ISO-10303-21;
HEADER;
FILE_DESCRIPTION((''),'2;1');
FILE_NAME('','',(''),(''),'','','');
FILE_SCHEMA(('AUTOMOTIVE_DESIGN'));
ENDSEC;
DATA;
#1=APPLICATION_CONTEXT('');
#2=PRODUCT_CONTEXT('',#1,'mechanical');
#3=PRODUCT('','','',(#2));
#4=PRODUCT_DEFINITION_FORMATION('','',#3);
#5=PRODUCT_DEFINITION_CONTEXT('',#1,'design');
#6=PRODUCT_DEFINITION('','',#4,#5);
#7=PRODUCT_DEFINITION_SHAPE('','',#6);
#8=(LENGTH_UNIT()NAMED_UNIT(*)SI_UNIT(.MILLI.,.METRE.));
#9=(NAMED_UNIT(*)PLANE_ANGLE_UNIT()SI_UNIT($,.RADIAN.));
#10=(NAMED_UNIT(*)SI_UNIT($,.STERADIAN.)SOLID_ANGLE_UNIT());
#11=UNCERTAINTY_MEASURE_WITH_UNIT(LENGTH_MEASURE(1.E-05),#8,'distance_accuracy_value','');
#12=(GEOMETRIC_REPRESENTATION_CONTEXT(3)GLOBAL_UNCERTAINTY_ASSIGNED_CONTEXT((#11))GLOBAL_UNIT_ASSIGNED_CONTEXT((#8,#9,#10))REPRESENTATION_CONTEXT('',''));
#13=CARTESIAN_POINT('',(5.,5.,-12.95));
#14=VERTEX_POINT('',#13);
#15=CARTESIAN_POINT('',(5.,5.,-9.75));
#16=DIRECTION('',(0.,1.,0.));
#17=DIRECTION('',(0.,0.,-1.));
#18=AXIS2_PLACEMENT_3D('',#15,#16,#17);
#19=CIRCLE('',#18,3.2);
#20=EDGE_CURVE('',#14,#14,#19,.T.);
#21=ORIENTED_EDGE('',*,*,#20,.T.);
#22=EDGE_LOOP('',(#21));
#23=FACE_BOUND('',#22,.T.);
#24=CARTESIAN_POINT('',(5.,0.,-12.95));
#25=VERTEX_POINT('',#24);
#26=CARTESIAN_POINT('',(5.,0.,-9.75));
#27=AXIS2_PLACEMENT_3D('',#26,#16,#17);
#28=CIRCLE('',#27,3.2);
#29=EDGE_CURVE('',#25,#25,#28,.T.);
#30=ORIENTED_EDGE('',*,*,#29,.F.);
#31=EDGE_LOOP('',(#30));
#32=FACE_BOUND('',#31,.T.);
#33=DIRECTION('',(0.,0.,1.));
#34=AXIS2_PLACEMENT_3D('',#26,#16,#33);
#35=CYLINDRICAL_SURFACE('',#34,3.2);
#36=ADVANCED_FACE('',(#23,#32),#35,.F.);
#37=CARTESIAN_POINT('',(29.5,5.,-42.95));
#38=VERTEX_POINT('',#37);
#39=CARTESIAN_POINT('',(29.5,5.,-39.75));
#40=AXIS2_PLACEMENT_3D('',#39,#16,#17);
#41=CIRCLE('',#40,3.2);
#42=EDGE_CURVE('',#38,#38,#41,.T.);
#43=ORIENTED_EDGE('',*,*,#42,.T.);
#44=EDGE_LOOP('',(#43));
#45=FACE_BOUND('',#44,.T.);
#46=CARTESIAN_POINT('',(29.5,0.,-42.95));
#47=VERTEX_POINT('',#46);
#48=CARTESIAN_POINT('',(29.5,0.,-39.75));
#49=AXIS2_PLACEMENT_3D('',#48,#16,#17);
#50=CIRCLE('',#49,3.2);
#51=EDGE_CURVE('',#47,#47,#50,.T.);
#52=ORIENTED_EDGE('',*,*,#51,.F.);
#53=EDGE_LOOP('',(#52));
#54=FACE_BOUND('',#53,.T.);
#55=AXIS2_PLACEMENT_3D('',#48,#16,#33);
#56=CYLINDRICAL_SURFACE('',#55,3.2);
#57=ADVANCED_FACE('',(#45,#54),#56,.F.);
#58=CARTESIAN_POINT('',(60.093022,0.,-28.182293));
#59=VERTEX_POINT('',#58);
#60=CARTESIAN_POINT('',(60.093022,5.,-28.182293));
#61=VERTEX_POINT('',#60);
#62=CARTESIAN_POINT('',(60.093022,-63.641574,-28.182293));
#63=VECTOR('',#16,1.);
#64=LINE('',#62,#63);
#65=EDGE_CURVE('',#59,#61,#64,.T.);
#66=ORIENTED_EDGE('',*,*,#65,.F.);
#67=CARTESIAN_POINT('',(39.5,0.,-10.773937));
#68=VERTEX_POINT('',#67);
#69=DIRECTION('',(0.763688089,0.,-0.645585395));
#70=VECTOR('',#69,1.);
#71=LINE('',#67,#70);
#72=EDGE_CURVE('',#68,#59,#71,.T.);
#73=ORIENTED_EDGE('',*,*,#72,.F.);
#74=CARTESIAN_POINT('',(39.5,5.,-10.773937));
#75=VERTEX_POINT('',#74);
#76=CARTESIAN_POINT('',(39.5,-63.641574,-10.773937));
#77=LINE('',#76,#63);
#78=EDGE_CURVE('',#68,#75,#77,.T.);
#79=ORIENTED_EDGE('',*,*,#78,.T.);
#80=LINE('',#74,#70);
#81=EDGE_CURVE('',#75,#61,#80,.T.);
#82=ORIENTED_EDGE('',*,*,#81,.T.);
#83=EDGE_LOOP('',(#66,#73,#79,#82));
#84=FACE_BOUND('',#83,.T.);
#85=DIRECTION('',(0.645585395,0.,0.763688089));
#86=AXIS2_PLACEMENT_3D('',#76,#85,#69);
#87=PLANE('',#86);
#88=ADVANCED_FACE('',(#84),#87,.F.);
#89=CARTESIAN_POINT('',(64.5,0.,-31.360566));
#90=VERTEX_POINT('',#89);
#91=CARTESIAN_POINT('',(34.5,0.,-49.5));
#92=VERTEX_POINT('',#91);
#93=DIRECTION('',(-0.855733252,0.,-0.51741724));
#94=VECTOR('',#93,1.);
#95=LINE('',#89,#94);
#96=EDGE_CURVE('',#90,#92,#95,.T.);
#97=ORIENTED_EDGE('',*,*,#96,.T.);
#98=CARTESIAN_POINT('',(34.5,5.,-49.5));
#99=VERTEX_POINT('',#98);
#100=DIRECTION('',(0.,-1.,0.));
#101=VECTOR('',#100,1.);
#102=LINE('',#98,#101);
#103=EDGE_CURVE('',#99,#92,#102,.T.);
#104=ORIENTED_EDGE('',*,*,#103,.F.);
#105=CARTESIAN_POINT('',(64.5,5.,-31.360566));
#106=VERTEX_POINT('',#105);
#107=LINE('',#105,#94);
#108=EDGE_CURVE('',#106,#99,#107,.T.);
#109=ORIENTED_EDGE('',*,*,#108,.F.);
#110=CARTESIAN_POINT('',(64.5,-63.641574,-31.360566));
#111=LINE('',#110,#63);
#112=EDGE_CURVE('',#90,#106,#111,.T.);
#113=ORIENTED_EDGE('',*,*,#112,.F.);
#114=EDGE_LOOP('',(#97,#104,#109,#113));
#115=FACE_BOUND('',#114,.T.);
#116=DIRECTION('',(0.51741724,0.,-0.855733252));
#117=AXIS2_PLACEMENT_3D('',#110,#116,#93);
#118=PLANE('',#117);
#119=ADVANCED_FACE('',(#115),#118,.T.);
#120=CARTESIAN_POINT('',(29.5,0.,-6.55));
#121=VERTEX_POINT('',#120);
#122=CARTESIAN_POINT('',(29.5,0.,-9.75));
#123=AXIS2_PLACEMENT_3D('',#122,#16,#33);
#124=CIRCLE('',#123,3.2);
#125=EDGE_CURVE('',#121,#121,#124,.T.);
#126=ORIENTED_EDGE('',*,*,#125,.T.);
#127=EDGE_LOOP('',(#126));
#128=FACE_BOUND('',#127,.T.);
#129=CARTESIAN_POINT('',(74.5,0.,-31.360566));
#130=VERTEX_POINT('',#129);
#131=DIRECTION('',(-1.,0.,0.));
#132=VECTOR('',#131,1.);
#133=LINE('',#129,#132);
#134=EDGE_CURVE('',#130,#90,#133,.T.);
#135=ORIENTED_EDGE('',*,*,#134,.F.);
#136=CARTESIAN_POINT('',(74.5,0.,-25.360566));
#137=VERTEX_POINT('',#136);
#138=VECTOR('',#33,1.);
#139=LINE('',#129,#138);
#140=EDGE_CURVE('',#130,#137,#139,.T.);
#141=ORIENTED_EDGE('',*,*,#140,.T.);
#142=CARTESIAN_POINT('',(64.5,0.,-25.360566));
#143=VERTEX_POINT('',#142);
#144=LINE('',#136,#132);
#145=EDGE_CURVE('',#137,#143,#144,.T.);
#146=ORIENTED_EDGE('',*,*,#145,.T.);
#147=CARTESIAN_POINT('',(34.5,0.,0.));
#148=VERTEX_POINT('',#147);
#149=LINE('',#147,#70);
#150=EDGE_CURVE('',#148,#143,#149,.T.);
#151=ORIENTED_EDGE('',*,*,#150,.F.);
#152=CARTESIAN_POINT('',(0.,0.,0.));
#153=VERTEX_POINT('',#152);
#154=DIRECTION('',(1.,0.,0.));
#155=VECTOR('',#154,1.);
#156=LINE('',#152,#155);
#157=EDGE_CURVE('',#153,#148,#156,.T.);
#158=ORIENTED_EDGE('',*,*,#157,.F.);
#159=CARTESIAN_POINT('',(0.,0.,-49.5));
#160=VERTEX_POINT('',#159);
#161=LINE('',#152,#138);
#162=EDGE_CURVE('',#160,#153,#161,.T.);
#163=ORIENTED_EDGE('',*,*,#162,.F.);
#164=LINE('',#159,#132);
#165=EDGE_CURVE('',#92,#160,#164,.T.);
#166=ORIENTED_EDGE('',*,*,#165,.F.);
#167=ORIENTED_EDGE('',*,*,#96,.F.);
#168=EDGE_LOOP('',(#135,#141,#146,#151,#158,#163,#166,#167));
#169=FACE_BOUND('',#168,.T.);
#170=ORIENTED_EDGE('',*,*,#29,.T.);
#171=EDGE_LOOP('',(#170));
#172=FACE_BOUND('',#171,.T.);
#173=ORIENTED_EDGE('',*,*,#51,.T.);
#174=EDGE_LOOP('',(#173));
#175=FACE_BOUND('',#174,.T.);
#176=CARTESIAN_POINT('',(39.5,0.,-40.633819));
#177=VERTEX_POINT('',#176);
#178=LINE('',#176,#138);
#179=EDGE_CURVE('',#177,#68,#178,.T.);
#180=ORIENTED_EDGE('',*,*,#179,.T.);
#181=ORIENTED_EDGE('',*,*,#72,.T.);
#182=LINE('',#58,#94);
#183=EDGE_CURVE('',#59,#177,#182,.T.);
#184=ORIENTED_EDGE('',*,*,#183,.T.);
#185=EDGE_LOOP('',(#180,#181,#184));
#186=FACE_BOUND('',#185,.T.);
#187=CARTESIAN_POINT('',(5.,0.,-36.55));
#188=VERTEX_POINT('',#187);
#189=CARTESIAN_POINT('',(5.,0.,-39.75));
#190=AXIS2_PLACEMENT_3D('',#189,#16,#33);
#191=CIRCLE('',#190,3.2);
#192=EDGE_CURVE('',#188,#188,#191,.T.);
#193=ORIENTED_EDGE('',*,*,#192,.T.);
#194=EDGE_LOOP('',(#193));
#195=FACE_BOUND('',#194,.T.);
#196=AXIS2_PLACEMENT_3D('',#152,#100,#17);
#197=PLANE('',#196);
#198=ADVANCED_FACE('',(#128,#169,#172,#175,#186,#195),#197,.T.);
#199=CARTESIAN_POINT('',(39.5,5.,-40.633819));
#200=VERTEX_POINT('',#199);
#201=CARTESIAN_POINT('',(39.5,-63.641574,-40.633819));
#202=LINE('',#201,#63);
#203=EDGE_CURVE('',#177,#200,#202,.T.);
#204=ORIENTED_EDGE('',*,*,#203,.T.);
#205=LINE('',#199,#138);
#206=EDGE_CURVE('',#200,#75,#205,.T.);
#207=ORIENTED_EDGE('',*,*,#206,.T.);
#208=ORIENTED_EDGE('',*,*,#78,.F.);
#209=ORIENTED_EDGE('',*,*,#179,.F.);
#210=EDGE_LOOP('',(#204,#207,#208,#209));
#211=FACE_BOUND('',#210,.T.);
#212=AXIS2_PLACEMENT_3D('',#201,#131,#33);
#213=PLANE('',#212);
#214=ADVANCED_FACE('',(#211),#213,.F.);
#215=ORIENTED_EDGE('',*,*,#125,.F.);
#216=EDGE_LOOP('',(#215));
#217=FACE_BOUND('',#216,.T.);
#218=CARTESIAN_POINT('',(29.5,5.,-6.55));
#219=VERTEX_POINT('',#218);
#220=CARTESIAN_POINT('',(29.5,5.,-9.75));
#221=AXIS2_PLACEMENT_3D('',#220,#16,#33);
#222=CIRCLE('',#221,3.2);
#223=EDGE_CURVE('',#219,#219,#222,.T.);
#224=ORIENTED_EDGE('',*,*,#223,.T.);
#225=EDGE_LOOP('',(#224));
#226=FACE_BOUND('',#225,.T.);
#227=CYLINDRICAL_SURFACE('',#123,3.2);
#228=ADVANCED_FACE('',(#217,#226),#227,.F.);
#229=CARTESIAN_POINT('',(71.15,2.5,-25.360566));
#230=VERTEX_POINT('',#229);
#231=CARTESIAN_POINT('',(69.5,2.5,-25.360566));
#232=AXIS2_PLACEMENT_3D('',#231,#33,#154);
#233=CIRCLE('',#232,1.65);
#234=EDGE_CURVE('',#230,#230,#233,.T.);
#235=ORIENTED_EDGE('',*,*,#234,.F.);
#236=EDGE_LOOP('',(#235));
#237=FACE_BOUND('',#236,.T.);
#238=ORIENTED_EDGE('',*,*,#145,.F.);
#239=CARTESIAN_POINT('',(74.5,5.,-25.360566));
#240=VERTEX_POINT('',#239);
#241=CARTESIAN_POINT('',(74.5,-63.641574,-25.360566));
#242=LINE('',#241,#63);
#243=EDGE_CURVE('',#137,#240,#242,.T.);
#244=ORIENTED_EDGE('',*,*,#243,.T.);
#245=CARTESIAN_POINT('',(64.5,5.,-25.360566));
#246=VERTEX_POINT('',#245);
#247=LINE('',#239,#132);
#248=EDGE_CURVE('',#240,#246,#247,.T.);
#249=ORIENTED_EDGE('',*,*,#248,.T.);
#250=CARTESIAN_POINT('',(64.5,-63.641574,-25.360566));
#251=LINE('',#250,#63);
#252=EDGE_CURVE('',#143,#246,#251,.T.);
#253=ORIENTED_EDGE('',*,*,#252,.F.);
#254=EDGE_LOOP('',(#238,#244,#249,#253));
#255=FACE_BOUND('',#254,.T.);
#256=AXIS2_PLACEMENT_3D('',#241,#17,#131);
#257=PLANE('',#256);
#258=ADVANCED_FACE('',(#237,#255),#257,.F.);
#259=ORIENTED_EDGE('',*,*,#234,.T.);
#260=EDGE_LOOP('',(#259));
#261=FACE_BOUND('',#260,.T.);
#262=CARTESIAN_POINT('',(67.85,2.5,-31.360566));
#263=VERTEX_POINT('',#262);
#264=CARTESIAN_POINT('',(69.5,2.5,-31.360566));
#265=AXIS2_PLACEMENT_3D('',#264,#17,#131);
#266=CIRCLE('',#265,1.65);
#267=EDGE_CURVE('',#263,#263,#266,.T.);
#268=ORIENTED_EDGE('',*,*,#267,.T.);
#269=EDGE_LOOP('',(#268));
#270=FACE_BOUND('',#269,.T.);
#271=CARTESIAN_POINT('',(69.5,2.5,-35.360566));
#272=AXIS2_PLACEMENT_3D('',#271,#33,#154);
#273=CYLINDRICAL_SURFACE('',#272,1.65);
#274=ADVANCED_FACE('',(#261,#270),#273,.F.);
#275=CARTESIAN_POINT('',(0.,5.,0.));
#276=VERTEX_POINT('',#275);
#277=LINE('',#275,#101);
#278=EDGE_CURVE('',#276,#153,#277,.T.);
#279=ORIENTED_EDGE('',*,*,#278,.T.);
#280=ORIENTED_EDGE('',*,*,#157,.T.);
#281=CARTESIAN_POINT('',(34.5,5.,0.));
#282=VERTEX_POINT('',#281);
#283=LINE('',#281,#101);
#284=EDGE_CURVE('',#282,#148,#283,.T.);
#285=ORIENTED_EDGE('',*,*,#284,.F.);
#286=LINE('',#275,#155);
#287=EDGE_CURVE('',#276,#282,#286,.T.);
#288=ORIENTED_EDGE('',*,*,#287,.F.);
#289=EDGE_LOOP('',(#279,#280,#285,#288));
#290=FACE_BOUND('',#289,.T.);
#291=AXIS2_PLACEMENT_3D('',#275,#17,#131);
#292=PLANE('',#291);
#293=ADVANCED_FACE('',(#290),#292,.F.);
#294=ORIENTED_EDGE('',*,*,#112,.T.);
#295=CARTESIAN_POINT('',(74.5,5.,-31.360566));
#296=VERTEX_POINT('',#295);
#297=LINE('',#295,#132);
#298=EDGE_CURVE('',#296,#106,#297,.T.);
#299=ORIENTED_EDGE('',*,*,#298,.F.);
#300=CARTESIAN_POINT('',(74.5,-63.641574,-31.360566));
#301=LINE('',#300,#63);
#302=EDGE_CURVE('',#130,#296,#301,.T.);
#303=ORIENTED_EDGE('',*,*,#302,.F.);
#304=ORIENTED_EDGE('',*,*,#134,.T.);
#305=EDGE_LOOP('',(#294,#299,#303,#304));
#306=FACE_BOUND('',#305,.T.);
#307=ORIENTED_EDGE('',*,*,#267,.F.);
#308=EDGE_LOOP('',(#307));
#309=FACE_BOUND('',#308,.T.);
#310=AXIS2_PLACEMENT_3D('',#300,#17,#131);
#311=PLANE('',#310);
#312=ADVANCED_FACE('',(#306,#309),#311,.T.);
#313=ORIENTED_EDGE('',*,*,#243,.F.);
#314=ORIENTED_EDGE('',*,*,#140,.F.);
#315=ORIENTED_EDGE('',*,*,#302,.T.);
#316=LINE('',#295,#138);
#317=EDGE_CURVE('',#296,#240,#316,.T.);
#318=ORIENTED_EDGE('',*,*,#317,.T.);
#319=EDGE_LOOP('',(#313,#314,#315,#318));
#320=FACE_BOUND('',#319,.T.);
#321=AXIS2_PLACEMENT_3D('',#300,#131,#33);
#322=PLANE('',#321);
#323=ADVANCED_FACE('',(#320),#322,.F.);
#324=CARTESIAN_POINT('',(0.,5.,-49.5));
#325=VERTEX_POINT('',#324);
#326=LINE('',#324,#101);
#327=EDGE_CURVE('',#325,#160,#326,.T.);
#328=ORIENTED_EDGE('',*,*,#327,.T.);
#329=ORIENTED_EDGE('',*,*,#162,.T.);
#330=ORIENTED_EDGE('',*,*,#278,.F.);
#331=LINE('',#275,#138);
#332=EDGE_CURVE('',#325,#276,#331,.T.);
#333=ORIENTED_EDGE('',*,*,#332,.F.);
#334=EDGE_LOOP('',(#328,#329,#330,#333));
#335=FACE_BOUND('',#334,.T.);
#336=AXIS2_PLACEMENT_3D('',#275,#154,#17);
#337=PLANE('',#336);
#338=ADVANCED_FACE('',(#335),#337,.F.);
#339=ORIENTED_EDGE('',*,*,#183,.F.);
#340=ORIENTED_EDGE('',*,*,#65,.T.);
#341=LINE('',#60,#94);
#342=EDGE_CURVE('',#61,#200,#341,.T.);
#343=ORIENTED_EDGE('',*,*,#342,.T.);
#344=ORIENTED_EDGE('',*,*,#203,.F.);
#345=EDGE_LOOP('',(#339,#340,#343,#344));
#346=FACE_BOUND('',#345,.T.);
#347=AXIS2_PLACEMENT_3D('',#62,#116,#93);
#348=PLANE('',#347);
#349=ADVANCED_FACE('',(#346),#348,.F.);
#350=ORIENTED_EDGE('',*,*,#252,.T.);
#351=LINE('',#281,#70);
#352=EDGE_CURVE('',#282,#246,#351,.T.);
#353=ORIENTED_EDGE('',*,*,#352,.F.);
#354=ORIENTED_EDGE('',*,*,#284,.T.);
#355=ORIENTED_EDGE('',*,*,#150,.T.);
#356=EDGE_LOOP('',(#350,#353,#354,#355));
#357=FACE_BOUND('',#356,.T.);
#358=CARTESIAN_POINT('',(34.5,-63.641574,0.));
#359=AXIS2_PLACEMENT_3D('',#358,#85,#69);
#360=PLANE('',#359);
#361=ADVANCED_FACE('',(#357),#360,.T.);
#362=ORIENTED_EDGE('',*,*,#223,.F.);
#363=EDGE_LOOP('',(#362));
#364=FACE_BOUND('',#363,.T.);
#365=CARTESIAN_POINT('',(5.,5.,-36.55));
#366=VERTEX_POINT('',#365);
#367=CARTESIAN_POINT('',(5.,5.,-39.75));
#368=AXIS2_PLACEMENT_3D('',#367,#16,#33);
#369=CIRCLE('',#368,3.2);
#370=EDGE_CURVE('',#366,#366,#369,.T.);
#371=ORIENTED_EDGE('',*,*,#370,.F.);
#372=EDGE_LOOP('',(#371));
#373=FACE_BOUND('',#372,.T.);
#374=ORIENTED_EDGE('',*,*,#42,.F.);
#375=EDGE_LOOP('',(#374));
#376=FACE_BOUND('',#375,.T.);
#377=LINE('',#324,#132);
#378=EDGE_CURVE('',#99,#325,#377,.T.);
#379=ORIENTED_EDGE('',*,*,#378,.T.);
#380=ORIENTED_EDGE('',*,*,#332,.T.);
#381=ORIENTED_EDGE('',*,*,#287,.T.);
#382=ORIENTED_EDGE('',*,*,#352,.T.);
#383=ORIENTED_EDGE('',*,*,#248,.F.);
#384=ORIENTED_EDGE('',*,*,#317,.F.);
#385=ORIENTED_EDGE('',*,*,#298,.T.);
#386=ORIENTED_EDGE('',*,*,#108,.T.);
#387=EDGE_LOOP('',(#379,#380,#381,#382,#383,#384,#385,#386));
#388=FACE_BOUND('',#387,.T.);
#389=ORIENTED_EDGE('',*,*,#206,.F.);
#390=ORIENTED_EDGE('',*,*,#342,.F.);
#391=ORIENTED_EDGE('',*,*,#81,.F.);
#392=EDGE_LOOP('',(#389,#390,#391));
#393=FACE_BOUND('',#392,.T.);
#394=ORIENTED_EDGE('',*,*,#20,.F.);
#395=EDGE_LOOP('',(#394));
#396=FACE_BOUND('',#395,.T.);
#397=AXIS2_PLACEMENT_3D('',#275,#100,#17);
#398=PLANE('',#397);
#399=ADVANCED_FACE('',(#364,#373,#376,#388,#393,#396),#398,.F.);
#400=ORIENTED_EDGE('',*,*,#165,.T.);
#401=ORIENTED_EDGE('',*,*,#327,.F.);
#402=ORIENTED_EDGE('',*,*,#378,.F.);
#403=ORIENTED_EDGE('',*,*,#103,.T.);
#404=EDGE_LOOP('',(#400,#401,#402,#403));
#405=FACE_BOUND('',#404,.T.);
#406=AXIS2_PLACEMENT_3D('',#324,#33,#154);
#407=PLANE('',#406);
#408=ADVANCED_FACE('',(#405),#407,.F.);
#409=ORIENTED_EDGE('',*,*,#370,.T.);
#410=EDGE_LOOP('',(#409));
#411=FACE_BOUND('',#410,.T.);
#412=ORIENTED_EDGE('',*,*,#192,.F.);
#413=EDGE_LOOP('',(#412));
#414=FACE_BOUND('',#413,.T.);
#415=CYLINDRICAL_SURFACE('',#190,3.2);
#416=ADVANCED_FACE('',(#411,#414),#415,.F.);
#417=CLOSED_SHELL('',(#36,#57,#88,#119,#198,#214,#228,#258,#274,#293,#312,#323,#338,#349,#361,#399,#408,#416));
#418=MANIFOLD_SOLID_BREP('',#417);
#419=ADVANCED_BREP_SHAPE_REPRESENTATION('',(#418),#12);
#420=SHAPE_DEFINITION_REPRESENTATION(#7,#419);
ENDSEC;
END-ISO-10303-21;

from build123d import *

# Parameters (mm, degrees)
SKETCH1_W           = 34.5
SKETCH1_H           = 49.5
BOSS_EXTRUDE1_DEPTH = 5
SKETCH2_R           = 3.2
CUT_EXTRUDE1_DEPTH  = 5
SKETCH3_W           = 6
SKETCH3_H           = 25
BOSS_EXTRUDE2_DEPTH = 5
FILLET1_R           = 10
FILLET2_R           = 5
SKETCH6_W           = 166.1846994
SKETCH6_H           = 49.5
CUT_EXTRUDE3_DEPTH  = 10
BOSS_EXTRUDE3_DEPTH = 5
SKETCH8_R           = 1.65
CUT_EXTRUDE4_DEPTH  = 10


with BuildPart() as part:
    # Sketch1 → Boss-Extrude1 (new body)
    with BuildSketch(Plane(origin=(0, 0, 0), x_dir=(1, 0, 0), z_dir=(0, 1, 0))):
        with Locations((17.25, 24.75)):
            Rectangle(SKETCH1_W, SKETCH1_H)
    extrude(amount=BOSS_EXTRUDE1_DEPTH)

    # Sketch2 → Cut-Extrude1 (cut)
    with BuildSketch(Plane(origin=(0, 5, 0), x_dir=(1, 0, 0), z_dir=(0, 1, 0))):
        with Locations(Location((5, 39.75, 0), (0, 0, 270))):
            Circle(SKETCH2_R)
        with Locations(Location((5, 9.75, 0), (0, 0, 90))):
            Circle(SKETCH2_R)
        with Locations(Location((29.5, 9.75, 0), (0, 0, 270))):
            Circle(SKETCH2_R)
        with Locations(Location((29.5, 39.75, 0), (0, 0, 90))):
            Circle(SKETCH2_R)
    extrude(amount=-CUT_EXTRUDE1_DEPTH, mode=Mode.SUBTRACT)

    # Sketch3 → Boss-Extrude2 (add)
    with BuildSketch(Plane(origin=(0, 5, 0), x_dir=(1, 0, 0), z_dir=(0, 1, 0))):
        Polygon((189.75, 42.25), (34.5, 49.5), (34.5, 41.491281612), (84.094915791, 39.175254948), (84.094915791, 10.324745052), (34.5, 8.008718388), (34.5, 0), (189.75, 7.25), align=None)
        Polygon((171.053500921, 14.385612956), (89.094915791, 10.558239416), (89.094915791, 38.941760584), (171.053500921, 35.114387044), align=None, mode=Mode.SUBTRACT)
        with Locations((181.13, 24.75)):
            Rectangle(SKETCH3_W, SKETCH3_H, mode=Mode.SUBTRACT)
    extrude(amount=-BOSS_EXTRUDE2_DEPTH)

    # Fillet1
    fillet1_edges = [part.edges().sort_by_distance(p)[0] for p in [
        (34.5, 2.5, -8.008718388),
        (84.094915791, 2.5, -10.324745052),
        (84.094915791, 2.5, -39.175254948),
        (34.5, 2.5, -41.491281612),
        (89.094915791, 2.5, -38.941760584),
        (89.094915791, 2.5, -10.558239416),
    ]]
    fillet(fillet1_edges, radius=FILLET1_R)

    # Fillet2
    fillet2_edges = [part.edges().sort_by_distance(p)[0] for p in [
        (171.053500921, 2.5, -35.114387044),
        (171.053500921, 2.5, -14.385612956),
    ]]
    fillet(fillet2_edges, radius=FILLET2_R)

    # Sketch6 → Cut-Extrude3 (cut)
    with BuildSketch(Plane(origin=(0, 5, 0), x_dir=(1, 0, 0), z_dir=(0, 1, 0))):
        with Locations((117.5923497, 24.75)):
            Rectangle(SKETCH6_W, SKETCH6_H)
    extrude(amount=-CUT_EXTRUDE3_DEPTH, mode=Mode.SUBTRACT)

    # Sketch7 → Boss-Extrude3 (add)
    with BuildSketch(Plane(origin=(0, 5, 0), x_dir=(1, 0, 0), z_dir=(0, 1, 0))):
        Polygon((64.5, 31.360565584), (34.5, 49.5), (34.5, 0), (64.5, 25.360565584), (74.5, 25.360565584), (74.5, 31.360565584), align=None)
        Polygon((60.093022172, 28.182292814), (39.5, 40.633818652), (39.5, 10.773936502), align=None, mode=Mode.SUBTRACT)
    extrude(amount=-BOSS_EXTRUDE3_DEPTH)

    # Sketch8 → Cut-Extrude4 (cut)
    with BuildSketch(Plane.XY.offset(-25.360565584)):
        with Locations((69.5, 2.5)):
            Circle(SKETCH8_R)
    extrude(amount=-CUT_EXTRUDE4_DEPTH, mode=Mode.SUBTRACT)


solid = part.part
